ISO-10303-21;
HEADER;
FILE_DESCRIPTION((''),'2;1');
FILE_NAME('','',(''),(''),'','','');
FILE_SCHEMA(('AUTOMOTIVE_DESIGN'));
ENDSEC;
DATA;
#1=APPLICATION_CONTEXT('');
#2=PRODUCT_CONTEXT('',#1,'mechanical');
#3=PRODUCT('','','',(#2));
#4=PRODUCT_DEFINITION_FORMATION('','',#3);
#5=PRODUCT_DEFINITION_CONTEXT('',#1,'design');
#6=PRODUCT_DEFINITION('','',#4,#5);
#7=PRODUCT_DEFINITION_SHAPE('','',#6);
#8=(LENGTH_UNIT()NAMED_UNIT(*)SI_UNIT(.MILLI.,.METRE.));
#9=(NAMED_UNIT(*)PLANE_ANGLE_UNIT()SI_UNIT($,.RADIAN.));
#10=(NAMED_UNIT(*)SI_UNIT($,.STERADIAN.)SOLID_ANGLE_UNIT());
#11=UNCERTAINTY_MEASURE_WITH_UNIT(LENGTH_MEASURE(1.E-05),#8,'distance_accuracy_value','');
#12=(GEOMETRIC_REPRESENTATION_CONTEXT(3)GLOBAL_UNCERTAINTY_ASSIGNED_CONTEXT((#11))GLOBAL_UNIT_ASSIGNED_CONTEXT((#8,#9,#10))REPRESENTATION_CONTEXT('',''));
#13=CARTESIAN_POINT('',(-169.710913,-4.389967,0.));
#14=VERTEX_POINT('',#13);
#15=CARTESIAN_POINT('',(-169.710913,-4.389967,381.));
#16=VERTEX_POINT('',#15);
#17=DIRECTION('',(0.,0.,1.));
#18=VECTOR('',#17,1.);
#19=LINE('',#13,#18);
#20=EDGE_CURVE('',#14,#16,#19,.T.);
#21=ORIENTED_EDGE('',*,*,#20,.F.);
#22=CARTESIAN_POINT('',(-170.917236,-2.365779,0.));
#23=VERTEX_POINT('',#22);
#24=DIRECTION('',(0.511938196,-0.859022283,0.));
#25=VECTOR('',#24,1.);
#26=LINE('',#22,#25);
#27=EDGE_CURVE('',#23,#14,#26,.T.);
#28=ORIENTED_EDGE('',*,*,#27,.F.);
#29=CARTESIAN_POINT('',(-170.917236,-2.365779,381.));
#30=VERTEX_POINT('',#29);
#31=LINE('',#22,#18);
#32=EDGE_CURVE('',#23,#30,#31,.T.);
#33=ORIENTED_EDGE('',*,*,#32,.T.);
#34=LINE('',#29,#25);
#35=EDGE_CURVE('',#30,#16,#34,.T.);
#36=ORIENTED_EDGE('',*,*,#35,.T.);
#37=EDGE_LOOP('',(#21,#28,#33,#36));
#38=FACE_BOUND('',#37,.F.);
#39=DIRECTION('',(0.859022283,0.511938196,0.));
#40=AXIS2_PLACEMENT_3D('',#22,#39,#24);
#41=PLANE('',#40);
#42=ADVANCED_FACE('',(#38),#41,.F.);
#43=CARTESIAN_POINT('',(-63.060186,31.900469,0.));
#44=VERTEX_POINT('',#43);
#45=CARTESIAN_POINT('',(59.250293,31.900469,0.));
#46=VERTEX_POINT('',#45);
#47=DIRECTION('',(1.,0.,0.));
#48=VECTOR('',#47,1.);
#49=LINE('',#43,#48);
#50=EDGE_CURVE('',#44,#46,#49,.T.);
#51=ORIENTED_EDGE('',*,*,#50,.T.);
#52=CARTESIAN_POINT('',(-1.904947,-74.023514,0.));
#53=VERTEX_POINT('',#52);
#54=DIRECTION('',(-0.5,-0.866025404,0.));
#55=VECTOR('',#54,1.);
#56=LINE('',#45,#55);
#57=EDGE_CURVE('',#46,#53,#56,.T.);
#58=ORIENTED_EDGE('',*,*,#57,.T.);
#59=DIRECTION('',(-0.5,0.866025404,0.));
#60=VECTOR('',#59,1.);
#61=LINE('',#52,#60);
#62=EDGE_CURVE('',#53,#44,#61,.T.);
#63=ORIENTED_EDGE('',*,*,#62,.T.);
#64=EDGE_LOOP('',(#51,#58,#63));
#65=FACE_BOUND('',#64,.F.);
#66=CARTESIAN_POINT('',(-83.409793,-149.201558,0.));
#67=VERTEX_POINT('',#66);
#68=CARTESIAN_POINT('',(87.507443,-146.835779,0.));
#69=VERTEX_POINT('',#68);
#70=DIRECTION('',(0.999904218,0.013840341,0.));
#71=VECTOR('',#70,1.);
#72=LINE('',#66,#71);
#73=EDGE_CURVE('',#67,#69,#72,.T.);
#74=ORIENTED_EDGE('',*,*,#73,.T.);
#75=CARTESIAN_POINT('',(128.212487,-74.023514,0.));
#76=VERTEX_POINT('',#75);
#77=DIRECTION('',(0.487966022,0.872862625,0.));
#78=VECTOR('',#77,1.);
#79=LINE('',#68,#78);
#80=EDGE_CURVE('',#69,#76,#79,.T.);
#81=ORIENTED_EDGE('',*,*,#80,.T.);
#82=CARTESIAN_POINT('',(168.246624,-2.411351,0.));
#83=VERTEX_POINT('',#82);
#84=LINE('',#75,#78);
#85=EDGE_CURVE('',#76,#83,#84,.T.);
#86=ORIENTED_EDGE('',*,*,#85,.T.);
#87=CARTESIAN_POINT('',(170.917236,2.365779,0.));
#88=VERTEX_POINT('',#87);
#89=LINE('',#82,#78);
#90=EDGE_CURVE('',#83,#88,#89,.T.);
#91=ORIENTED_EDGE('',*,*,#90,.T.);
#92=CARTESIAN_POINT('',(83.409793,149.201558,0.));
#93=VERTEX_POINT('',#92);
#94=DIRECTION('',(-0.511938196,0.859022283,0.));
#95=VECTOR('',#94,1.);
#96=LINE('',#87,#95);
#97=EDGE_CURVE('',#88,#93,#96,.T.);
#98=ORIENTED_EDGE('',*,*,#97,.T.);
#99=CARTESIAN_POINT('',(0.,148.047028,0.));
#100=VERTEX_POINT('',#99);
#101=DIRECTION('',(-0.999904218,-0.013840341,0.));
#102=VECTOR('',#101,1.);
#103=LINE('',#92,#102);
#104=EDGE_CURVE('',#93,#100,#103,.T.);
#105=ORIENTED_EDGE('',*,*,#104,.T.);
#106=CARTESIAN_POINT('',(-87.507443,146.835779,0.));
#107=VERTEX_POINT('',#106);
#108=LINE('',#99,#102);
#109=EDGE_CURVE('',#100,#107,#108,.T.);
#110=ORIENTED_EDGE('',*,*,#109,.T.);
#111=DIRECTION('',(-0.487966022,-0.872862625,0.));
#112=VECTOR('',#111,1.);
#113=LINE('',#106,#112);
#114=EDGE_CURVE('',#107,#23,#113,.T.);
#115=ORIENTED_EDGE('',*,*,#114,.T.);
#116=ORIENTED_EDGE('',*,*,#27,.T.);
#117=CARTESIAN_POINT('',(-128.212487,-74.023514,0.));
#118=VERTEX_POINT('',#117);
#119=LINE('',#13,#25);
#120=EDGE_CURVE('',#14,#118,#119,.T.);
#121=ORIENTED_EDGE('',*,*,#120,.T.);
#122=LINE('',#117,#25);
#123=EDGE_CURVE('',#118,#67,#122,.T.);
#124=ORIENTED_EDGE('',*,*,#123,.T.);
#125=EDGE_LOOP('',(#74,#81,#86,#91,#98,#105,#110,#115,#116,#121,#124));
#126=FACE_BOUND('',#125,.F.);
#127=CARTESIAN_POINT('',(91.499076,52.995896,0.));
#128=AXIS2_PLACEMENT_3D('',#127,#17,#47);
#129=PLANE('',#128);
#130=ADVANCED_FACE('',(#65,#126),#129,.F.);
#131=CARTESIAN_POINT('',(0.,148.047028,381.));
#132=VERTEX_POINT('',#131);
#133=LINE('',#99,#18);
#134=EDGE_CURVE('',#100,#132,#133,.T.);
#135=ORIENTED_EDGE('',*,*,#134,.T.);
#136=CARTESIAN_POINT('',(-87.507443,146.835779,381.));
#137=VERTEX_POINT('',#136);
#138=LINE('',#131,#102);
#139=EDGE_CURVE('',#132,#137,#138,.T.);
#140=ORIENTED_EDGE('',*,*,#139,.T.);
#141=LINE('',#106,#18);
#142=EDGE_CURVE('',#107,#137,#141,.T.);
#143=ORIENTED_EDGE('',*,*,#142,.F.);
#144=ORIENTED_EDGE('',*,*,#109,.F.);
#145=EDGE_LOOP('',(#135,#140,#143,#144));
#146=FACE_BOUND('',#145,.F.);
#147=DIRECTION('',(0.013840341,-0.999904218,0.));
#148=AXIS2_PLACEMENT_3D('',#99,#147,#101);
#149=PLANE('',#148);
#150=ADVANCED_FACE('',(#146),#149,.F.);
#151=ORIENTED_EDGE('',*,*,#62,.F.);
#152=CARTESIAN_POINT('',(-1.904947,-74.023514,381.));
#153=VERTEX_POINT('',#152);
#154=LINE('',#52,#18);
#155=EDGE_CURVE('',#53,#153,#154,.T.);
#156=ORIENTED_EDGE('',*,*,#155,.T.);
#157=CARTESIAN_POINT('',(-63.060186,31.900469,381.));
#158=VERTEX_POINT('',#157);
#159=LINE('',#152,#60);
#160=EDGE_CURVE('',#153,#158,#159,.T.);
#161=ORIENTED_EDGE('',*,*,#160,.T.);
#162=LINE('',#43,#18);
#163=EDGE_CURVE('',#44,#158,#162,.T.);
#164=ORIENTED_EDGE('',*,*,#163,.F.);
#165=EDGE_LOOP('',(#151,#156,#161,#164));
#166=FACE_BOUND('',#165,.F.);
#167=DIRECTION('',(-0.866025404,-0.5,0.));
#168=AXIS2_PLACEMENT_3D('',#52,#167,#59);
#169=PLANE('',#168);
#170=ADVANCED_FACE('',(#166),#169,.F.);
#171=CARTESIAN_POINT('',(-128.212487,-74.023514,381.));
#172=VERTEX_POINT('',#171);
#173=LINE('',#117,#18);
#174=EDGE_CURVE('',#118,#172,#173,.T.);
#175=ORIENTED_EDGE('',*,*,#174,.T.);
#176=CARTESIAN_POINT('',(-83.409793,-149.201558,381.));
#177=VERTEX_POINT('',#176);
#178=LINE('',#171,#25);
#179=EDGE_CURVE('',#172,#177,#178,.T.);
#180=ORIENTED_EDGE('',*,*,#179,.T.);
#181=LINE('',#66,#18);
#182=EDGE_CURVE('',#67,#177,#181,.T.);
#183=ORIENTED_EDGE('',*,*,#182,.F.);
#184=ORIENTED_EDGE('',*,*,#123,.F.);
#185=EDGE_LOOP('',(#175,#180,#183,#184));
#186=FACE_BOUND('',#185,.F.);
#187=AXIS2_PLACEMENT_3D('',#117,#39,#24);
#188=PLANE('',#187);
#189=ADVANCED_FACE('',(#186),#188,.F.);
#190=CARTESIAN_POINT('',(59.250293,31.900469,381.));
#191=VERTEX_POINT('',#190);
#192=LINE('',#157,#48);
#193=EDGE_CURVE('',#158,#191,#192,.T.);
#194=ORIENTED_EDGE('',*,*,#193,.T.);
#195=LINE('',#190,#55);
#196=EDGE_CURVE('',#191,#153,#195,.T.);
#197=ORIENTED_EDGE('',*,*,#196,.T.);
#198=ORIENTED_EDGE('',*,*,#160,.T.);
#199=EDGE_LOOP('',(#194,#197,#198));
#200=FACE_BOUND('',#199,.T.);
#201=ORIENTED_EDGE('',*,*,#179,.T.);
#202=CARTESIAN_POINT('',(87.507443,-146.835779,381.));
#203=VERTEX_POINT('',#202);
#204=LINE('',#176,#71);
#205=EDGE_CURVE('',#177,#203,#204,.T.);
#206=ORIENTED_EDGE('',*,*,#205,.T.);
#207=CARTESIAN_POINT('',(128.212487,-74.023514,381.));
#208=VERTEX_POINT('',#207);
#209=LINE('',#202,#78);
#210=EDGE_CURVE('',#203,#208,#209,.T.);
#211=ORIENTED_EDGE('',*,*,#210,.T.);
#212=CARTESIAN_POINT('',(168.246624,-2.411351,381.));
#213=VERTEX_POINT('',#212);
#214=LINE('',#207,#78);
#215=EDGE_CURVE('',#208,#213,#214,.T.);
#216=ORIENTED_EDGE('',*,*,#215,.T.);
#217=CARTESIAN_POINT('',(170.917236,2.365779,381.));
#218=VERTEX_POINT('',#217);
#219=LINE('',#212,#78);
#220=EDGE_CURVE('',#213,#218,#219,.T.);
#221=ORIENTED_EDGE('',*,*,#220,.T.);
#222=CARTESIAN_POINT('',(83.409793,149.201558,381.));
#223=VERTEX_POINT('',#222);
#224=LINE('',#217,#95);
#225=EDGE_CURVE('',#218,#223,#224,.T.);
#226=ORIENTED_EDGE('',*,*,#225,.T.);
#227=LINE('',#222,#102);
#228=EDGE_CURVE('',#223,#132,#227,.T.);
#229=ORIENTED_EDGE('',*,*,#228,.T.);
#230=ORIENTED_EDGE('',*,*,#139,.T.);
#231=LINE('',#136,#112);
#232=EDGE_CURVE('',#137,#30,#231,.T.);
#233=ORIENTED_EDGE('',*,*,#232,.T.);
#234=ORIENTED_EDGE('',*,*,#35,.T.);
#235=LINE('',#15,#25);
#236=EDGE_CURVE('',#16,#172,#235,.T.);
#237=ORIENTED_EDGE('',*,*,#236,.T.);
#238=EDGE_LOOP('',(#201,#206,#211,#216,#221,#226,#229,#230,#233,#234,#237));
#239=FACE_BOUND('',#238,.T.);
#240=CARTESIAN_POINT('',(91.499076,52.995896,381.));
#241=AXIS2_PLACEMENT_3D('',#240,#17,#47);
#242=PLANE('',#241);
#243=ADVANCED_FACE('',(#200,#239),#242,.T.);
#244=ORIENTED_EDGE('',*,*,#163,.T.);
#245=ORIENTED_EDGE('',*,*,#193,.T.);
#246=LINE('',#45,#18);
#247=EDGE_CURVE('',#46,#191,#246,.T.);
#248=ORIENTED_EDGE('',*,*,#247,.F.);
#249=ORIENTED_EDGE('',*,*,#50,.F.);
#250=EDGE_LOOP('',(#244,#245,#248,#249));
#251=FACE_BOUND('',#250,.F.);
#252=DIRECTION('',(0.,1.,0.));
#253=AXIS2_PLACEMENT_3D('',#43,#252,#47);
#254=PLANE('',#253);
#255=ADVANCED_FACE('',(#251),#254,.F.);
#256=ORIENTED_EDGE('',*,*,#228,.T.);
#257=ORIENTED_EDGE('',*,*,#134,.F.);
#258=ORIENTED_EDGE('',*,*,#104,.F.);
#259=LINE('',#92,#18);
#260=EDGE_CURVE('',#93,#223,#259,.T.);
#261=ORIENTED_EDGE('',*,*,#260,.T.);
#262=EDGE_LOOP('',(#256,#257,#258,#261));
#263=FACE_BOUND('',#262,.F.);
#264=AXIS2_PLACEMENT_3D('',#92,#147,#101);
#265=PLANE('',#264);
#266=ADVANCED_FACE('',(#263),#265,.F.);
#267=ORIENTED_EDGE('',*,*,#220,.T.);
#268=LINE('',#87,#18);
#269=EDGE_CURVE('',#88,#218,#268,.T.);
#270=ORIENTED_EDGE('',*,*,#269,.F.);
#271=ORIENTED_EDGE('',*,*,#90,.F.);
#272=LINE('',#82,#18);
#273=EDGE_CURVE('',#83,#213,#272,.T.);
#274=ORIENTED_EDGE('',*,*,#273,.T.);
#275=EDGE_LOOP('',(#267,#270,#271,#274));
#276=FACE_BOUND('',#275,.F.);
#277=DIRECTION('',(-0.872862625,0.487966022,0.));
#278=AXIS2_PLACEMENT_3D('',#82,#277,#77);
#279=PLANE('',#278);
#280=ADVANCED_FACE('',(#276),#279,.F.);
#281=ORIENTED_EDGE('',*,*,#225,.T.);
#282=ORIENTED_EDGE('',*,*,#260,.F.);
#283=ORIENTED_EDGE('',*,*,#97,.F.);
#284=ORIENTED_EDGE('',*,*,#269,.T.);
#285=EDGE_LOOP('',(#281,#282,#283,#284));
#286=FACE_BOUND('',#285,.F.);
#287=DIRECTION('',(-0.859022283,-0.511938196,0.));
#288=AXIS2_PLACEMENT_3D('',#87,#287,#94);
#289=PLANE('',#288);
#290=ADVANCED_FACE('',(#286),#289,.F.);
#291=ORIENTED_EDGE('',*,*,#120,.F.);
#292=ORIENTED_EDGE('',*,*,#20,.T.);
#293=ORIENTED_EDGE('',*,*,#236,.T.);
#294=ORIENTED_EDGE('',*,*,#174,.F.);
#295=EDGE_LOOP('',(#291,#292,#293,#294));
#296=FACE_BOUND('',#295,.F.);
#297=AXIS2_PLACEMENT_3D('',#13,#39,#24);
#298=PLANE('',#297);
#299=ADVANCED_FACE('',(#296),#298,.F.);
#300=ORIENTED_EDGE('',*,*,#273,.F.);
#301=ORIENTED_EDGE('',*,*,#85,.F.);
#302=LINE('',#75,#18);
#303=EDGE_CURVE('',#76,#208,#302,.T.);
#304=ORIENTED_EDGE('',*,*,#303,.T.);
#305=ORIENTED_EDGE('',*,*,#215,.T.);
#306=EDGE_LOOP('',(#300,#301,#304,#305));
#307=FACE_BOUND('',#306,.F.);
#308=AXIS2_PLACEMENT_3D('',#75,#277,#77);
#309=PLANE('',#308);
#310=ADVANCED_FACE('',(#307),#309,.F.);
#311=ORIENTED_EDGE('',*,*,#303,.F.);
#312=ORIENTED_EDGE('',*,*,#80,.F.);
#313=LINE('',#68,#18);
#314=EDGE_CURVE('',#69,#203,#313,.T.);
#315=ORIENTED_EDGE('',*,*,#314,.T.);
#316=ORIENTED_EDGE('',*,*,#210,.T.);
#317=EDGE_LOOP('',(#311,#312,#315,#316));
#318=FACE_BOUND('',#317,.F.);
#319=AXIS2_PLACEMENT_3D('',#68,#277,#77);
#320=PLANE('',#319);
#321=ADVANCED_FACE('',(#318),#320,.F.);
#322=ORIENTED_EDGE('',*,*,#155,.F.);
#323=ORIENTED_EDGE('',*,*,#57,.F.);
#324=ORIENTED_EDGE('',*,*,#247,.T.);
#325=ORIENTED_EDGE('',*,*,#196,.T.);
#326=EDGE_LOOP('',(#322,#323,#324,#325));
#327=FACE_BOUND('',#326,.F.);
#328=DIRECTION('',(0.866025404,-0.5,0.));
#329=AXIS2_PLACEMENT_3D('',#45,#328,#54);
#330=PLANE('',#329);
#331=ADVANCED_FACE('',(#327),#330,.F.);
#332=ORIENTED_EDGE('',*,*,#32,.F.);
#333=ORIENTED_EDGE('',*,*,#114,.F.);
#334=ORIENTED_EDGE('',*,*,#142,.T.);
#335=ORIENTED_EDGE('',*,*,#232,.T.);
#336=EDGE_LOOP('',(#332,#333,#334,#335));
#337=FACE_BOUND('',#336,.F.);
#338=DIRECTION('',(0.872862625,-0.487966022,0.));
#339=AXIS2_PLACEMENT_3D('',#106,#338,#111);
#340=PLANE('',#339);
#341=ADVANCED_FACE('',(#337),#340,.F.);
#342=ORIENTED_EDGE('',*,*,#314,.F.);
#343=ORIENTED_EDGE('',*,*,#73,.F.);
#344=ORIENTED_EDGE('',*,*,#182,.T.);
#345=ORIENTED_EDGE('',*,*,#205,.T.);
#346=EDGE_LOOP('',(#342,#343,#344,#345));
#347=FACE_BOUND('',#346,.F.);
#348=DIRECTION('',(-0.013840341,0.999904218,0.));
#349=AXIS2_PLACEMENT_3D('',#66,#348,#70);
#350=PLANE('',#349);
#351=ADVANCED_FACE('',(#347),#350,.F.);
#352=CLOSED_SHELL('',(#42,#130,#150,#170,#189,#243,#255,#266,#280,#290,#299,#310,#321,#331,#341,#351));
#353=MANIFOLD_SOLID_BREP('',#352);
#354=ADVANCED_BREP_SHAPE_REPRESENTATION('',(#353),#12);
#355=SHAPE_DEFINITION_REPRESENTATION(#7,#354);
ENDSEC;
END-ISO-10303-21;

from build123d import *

# Parameters (mm, degrees)
F1_DEPTH = 381


with BuildPart() as f1:
    # F0 (on Top) → F1 (new body)
    with BuildSketch(Plane.XY):
        Polygon((170.9172360993, 2.3657794944), (83.4097929075, 149.201558154), (0, 148.0470275623), (128.2124868238, -74.0235137812), (168.2466239063, -2.4113514218), align=None)
        Polygon((87.5074431918, -146.8357786592), (128.2124868238, -74.0235137812), (-1.9049465394, -74.0235137812), (-128.2124868237, -74.0235137812), (-83.4097929074, -149.2015581539), align=None)
        Polygon((128.2124868238, -74.0235137812), (0, 148.0470275623), (-128.2124868237, -74.0235137812), (-1.9049465394, -74.0235137812), align=None)
        Polygon((59.2502932709, 31.9004687195), (-1.9049465394, -74.0235137812), (-63.0601863501, 31.9004687195), align=None, mode=Mode.SUBTRACT)
        Polygon((0, 148.0470275623), (-87.5074431918, 146.8357786593), (-170.9172360993, -2.3657794944), (-169.7109125441, -4.389966833), (-128.2124868236, -74.0235137811), align=None)
    extrude(amount=F1_DEPTH)


solid = f1.part
